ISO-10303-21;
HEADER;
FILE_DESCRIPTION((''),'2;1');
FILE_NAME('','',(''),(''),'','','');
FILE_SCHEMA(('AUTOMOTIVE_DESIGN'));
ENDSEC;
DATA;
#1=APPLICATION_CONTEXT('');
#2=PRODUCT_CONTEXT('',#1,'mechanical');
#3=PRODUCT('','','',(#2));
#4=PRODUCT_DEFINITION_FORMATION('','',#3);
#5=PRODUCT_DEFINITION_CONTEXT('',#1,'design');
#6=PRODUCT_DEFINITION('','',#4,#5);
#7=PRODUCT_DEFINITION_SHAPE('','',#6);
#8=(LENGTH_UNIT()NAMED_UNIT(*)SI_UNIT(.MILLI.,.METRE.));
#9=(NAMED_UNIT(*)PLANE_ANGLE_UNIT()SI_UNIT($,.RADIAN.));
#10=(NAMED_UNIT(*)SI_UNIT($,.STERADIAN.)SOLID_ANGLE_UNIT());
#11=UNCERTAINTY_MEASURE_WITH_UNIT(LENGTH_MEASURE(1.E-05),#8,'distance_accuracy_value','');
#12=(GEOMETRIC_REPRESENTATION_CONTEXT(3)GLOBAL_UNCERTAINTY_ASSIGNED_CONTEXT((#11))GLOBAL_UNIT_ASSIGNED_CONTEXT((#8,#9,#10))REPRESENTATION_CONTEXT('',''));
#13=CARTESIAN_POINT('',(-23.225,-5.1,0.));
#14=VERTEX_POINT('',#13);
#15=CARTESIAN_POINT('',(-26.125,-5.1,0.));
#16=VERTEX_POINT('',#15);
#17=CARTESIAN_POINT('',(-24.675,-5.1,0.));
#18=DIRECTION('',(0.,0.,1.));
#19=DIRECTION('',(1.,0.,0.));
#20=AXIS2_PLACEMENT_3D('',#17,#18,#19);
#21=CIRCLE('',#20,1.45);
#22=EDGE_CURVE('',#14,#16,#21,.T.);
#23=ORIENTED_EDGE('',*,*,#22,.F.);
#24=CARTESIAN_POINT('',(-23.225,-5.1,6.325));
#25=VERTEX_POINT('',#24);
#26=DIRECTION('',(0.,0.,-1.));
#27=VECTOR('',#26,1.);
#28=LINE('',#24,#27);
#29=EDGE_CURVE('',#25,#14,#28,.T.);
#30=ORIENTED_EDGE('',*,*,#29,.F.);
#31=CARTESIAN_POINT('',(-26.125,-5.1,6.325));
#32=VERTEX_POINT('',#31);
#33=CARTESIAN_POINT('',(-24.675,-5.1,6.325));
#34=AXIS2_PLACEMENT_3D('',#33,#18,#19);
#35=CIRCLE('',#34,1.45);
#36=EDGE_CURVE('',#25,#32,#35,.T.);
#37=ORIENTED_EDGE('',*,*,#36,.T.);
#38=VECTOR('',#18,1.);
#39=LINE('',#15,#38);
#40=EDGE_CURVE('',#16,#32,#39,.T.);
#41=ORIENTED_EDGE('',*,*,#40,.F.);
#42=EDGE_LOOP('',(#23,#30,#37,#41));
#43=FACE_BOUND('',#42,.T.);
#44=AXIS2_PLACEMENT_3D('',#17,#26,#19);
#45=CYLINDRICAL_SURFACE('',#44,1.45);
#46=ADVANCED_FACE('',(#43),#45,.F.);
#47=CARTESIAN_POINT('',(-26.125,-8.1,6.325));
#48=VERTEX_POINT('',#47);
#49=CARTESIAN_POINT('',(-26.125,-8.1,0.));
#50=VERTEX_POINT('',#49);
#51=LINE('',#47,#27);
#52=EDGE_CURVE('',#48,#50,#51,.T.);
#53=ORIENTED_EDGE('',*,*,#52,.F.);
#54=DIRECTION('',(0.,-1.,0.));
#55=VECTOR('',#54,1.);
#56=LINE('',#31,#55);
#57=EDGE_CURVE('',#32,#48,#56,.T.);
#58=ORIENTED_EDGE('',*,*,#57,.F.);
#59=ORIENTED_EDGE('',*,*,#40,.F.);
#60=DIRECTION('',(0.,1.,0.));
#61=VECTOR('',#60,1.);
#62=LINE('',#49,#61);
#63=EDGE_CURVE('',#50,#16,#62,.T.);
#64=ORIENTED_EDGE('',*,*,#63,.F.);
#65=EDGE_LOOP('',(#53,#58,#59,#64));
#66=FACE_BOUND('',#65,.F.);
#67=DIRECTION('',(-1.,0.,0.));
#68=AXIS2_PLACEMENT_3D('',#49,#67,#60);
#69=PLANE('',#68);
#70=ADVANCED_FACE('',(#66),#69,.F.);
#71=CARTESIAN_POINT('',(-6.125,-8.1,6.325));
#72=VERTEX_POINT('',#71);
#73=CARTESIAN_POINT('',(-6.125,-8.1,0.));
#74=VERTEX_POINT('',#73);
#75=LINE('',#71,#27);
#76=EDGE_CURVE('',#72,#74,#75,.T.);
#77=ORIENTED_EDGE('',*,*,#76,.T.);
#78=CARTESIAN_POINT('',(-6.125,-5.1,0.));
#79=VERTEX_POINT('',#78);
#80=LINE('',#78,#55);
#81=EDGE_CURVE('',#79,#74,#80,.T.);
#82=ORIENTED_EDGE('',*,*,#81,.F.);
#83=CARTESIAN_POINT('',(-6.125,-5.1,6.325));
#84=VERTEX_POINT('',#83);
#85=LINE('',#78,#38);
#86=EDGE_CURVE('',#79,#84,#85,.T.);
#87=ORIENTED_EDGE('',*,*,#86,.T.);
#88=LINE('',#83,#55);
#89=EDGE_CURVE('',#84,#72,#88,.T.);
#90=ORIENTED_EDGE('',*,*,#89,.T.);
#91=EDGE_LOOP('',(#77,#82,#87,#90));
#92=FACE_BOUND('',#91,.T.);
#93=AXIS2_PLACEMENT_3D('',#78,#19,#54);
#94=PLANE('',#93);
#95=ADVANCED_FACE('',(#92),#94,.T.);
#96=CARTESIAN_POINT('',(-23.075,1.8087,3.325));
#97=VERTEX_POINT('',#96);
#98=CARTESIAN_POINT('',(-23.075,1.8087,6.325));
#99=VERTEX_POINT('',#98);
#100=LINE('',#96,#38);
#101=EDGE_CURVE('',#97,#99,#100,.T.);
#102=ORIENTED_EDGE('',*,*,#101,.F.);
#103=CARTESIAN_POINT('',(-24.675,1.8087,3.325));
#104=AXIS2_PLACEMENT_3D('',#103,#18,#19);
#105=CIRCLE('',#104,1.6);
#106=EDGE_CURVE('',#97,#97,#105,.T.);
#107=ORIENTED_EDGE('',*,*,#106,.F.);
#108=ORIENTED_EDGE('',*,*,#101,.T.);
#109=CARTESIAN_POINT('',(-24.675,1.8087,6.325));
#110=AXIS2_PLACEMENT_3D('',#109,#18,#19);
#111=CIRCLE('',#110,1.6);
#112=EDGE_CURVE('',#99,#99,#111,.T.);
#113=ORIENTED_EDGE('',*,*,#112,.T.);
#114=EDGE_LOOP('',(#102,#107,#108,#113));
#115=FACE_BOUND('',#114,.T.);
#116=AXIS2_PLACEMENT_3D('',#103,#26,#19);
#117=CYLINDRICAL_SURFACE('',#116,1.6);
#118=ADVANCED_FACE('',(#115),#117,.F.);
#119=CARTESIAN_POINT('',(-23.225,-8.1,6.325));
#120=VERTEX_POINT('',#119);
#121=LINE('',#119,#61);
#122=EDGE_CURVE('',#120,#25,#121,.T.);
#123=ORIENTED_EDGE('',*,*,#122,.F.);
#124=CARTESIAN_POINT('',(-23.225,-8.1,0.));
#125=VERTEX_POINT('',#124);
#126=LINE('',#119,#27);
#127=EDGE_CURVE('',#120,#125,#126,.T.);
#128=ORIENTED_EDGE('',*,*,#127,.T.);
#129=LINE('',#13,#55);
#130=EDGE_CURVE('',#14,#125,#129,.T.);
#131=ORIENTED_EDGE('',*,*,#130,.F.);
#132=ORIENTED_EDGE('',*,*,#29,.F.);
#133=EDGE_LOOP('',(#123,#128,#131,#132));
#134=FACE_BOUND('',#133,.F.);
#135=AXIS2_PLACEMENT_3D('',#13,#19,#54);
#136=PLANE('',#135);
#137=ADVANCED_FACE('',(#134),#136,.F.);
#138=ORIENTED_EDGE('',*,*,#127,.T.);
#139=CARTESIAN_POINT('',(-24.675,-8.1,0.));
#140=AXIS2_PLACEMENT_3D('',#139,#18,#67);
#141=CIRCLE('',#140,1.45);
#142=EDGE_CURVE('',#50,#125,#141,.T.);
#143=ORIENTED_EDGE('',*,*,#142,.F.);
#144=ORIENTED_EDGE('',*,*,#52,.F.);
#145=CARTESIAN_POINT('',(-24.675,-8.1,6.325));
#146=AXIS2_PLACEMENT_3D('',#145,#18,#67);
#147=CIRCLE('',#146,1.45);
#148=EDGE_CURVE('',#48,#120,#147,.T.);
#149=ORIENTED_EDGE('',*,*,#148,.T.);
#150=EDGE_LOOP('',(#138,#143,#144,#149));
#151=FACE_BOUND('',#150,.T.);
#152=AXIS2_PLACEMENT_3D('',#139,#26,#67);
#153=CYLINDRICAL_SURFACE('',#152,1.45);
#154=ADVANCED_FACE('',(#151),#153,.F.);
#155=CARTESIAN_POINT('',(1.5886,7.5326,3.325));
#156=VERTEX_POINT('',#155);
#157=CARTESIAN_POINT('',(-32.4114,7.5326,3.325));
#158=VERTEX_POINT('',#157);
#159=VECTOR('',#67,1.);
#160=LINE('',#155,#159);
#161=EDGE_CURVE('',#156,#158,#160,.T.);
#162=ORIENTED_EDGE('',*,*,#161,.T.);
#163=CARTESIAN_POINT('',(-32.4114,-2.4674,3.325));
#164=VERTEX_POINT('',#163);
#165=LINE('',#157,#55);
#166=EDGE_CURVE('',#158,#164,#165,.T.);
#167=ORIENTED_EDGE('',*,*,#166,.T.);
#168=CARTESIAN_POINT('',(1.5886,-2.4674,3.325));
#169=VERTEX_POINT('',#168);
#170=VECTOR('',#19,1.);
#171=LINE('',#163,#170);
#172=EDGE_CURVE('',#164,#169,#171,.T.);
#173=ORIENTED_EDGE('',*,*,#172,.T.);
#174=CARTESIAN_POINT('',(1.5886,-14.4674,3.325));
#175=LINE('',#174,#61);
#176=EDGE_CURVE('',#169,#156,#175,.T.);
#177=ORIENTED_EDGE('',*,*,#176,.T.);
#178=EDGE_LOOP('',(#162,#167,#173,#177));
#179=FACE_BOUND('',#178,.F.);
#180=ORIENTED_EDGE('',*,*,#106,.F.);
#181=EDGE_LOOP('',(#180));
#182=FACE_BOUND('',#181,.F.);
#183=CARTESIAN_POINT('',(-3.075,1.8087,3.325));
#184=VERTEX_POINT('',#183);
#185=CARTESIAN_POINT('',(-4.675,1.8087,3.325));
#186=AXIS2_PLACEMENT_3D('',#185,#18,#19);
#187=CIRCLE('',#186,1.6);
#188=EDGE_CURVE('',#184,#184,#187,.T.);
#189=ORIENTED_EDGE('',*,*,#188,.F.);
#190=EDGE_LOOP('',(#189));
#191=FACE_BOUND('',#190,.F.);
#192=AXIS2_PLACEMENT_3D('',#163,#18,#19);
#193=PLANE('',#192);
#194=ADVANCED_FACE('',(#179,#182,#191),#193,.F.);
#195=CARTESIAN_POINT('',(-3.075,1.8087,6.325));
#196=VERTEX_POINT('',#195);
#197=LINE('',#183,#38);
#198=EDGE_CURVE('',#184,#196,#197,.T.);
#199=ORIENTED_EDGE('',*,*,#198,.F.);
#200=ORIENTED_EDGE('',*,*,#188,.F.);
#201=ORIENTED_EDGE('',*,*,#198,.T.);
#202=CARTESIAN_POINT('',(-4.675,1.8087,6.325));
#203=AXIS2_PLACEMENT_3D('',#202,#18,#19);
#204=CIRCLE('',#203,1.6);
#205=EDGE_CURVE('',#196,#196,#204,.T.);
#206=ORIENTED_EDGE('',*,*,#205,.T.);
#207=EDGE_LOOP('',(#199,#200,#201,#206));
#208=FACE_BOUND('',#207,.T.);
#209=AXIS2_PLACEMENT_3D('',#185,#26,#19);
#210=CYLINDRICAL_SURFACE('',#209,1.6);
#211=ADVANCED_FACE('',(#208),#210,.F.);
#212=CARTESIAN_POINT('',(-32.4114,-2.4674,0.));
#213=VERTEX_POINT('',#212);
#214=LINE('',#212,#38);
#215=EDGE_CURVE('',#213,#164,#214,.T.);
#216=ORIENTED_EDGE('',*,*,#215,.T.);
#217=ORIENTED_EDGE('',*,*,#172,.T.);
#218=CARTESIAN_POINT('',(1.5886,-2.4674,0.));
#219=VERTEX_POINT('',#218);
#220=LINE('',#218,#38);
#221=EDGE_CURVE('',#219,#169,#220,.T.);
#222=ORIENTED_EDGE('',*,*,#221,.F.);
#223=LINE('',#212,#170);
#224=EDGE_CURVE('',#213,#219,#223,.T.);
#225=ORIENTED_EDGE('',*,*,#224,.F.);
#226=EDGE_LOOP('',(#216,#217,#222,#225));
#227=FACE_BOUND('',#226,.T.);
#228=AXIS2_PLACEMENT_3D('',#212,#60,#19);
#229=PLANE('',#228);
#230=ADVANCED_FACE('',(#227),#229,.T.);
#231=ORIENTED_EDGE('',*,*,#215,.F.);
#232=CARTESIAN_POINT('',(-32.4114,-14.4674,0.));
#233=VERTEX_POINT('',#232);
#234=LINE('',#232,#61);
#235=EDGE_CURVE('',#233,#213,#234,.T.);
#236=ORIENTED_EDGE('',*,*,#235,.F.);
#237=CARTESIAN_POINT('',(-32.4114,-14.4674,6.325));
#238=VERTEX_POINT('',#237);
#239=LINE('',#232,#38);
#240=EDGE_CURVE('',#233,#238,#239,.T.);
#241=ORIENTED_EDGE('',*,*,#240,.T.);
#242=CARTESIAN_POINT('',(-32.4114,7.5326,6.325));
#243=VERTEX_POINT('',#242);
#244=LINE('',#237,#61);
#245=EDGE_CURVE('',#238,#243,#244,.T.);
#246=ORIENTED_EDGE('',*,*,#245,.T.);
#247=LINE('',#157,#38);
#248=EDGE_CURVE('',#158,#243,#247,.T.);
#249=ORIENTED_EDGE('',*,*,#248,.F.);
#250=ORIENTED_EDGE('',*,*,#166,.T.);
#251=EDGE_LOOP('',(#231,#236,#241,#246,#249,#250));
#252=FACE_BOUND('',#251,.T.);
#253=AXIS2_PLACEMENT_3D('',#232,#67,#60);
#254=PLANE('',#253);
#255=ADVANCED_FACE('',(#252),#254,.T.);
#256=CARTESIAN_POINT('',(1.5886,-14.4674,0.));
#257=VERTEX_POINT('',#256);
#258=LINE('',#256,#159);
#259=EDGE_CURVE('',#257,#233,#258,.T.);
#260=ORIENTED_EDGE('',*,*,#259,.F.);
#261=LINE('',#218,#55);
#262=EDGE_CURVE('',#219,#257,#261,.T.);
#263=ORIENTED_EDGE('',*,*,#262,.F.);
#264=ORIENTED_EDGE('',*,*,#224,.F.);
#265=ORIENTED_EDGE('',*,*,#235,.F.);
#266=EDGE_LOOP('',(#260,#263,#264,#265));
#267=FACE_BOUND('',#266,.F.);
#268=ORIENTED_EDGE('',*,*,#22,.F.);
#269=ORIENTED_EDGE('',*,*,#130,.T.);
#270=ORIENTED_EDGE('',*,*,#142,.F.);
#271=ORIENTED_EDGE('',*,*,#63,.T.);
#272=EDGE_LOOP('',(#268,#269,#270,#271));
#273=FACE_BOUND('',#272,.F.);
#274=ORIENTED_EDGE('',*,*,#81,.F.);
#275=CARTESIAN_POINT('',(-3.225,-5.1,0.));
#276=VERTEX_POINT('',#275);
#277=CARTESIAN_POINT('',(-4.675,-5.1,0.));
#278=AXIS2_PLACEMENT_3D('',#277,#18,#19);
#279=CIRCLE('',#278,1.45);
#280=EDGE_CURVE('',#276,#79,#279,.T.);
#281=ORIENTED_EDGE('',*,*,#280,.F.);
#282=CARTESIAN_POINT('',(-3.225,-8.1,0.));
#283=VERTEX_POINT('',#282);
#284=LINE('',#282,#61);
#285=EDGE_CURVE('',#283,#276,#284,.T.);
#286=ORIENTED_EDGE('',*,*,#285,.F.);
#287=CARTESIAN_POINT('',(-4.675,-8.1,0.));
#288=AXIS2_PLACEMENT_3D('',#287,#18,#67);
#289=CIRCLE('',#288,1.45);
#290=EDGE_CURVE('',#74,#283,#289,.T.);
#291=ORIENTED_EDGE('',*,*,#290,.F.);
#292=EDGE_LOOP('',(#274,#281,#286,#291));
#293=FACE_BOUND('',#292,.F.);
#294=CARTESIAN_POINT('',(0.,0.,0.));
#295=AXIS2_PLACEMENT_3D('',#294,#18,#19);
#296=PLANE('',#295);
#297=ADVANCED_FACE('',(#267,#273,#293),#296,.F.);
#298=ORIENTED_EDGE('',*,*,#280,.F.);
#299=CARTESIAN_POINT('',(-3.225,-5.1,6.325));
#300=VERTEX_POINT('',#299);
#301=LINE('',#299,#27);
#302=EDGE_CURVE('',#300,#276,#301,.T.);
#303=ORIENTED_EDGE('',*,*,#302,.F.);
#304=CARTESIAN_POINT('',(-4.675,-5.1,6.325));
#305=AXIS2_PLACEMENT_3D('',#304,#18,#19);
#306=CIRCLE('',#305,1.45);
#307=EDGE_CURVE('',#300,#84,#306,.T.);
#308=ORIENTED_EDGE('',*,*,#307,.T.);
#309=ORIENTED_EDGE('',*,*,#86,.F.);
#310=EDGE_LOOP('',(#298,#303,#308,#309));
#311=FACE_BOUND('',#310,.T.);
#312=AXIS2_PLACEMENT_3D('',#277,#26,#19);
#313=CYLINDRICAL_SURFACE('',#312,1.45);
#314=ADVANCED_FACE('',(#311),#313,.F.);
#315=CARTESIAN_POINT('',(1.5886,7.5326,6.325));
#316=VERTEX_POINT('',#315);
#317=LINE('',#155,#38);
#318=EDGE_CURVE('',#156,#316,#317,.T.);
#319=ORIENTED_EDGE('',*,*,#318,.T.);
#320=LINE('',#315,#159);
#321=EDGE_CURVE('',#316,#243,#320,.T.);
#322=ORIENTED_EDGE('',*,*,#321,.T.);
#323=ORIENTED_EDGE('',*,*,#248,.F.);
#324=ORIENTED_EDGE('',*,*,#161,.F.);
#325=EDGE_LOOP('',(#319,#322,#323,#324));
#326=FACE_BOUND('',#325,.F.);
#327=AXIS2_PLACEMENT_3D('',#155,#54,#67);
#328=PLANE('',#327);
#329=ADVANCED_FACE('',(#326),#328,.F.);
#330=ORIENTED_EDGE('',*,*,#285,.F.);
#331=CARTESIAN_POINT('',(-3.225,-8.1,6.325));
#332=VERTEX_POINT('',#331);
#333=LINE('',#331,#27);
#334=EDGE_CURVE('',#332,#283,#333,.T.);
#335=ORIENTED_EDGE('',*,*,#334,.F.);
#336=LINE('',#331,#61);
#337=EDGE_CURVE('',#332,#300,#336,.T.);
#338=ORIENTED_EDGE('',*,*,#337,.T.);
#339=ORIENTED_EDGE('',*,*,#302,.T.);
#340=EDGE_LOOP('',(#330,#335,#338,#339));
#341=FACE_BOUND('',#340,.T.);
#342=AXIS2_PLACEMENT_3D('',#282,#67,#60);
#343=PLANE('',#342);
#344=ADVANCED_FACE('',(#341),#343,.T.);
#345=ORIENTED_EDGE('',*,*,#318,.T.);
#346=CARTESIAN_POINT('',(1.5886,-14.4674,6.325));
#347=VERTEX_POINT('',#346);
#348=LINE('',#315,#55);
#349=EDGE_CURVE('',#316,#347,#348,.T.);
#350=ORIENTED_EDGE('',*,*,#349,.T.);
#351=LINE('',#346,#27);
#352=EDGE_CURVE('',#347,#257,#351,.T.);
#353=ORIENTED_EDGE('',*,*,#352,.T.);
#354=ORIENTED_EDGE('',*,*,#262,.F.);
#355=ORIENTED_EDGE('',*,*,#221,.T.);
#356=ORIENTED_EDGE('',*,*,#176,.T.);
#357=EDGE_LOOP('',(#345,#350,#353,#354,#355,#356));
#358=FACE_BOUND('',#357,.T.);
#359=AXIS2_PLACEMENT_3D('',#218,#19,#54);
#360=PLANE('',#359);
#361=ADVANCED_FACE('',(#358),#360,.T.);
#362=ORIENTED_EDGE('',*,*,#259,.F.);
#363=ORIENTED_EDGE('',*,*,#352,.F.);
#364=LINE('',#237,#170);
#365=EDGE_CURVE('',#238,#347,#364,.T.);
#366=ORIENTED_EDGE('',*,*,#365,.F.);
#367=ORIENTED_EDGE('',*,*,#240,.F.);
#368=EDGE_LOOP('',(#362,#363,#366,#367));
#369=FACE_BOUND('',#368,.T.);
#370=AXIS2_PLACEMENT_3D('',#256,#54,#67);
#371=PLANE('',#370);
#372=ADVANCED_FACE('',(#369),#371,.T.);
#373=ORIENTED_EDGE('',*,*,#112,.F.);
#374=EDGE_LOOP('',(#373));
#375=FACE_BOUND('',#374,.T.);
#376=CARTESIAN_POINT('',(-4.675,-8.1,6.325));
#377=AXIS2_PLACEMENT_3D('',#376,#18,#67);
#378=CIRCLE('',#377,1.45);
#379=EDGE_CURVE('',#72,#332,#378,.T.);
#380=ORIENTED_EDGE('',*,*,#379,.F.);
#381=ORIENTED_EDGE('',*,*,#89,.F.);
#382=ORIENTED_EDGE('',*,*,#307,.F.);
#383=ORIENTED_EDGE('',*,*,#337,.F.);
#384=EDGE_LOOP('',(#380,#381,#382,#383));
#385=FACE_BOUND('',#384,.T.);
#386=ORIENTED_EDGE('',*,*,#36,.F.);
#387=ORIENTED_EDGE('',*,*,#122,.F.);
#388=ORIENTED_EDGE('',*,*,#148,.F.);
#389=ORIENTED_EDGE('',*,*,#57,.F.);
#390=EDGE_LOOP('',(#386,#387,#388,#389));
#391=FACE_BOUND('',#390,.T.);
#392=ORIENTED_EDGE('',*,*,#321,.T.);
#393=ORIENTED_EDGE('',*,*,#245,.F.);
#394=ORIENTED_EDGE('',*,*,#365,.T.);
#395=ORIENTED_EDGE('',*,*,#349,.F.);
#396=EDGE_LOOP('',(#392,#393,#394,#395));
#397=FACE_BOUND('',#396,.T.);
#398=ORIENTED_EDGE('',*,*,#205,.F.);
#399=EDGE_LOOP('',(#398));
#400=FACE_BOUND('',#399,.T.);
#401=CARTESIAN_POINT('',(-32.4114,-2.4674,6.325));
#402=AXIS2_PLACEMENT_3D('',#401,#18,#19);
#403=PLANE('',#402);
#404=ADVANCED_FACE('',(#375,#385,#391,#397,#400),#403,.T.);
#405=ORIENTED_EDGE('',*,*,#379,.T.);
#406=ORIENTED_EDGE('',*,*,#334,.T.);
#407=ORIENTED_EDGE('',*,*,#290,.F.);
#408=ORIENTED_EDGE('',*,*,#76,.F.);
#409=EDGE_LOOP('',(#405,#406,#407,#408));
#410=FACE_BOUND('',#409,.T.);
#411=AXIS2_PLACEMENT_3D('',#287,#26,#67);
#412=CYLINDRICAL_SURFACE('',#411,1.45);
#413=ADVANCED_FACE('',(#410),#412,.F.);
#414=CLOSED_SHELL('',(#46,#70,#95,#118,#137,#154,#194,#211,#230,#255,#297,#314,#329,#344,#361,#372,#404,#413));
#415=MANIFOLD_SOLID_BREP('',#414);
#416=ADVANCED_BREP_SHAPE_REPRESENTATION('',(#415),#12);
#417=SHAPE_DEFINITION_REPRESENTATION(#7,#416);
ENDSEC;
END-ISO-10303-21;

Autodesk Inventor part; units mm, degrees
ref_plane "YZ Plane" through (0, 0, 0) normal (1, 0, 0) x (0, 1, 0)
ref_plane "XZ Plane" through (0, 0, 0) normal (0, 1, 0) x (-1, 0, 0)
ref_plane "Work Plane1" through (0, 0, 0) normal (0, 0, 1) x (1, 0, 0)
sketch "Sketch1" plane through (0, 0, 0) normal (0, 0, 1) x (1, 0, 0)
  circle A0 centre (-24.675, -5.1) radius 1.25 projected
  circle A1 centre (-4.675, -5.1) radius 1.25 projected
  line L0 (-32.4114, -2.1) -> (22.9321, -2.1) construction
  line L1 (-32.4114, -2.4674) -> (1.5886, -2.4674)
  line L2 (1.5886, -2.4674) -> (1.5886, -14.4674)
  line L3 (1.5886, -14.4674) -> (-32.4114, -14.4674)
  line L4 (-32.4114, -14.4674) -> (-32.4114, -2.4674)
  circle A2 centre (-24.675, -5.1) radius 1.45
  circle A3 centre (-4.675, -5.1) radius 1.45
  line L5 (-24.675, -5.1) -> (-24.675, -8.1)
  line L6 (-23.225, -5.1) -> (-23.225, -8.1)
  line L7 (-26.125, -8.1) -> (-26.125, -5.1)
  arc A4 (-23.225, -5.1) -> (-26.125, -5.1) centre (-24.675, -5.1) ccw
  arc A5 (-26.125, -8.1) -> (-23.225, -8.1) centre (-24.675, -8.1) ccw
  line L8 (-4.675, -5.1) -> (-4.675, -8.1)
  line L9 (-6.125, -5.1) -> (-6.125, -8.1)
  line L10 (-3.225, -8.1) -> (-3.225, -5.1)
  arc A6 (-3.225, -5.1) -> (-6.125, -5.1) centre (-4.675, -5.1) ccw
  arc A7 (-6.125, -8.1) -> (-3.225, -8.1) centre (-4.675, -8.1) ccw
  point P0 (0, 0)
  point P1 (-24.675, -6.6)
  point P2 (-4.675, -6.6)
  dimension "d0" = 34
  dimension "d1" = 12
  dimension "d2" = 2.9
  dimension "d3" = 2.9
  dimension "d4" = 3
  dimension "d5" = 3
ref_plane "Work Plane2" through (-108.8568, -31.2741, 3.325) normal (0, 0, 1) x (0.8192, 0.5736, 0)
extrude "Extrusion1" add sketch "Sketch1" along normal up to surface (3.325 mm away) contours L1 L2 L3 L4
sketch "Sketch2" plane through (-32.4114, -2.4674, 3.325) normal (0, 0, 1) x (1, 0, 0)
  circle A0 centre (27.7364, 4.2761) radius 1.6 projected
  circle A1 centre (7.7364, 4.2761) radius 1.6 projected
  line L0 (-8.2471, 157.2957) -> (-14.2937, 153.0618) projected
  line L1 (8.339, 104.3183) -> (-14.2937, 153.0618) projected
  line L2 (8.339, 104.3183) -> (0.8847, 99.0987) projected
  line L3 (0.8847, 99.0987) -> (0, 100.3623) projected
  line L4 (0, 100.3623) -> (0, 0.3674) projected
  line L5 (0, 0.3674) -> (55.3435, 0.3674) projected
  line L6 (55.3435, 0.3674) -> (57.5639, -2.8038) projected
  line L7 (57.5639, -2.8038) -> (65.7554, 2.932) projected
  line L8 (65.7554, 2.932) -> (31.3409, 52.0811) projected
  line L9 (31.3409, 52.0811) -> (41.1707, 58.964) projected
  line L10 (41.1707, 58.964) -> (36.2423, 66.0024) projected
  arc A2 (34.9764, 70.0175) -> (36.2423, 66.0024) centre (41.9764, 70.0175) ccw projected
  line L11 (34.9764, 70.0175) -> (34.9764, 131.4195) projected
  arc A3 (34.9764, 131.4195) -> (31.2086, 137.6285) centre (27.9764, 131.4195) ccw projected
  line L12 (31.2086, 137.6285) -> (10.9451, 148.1771) projected
  arc A4 (10.9451, 148.1771) -> (3.6978, 147.7021) centre (7.7129, 141.968) ccw projected
  line L13 (3.6978, 147.7021) -> (0.1902, 145.246) projected
  line L14 (-8.2471, 157.2957) -> (0.1902, 145.246) projected
  line L15 (6.7364, -8.3116) -> (6.7364, -9.6116) projected
  line L16 (7.7364, -12.1836) -> (7.7364, -9.6116) projected
  line L17 (34, 0) -> (34, -12) projected
  line L18 (0, 0) -> (34, 0) projected
  line L19 (0, -12) -> (0, 0) projected
  line L20 (34, -12) -> (0, -12) projected
  arc A5 (6.2864, -5.6326) -> (9.1864, -5.6326) centre (7.7364, -5.6326) ccw projected
  line L21 (6.2864, -2.6326) -> (6.2864, -5.6326) projected
  arc A6 (9.1864, -2.6326) -> (6.2864, -2.6326) centre (7.7364, -2.6326) ccw projected
  line L22 (9.1864, -5.6326) -> (9.1864, -2.6326) projected
  arc A7 (29.1864, -2.6326) -> (26.2864, -2.6326) centre (27.7364, -2.6326) ccw projected
  line L23 (29.1864, -5.6326) -> (29.1864, -2.6326) projected
  arc A8 (26.2864, -5.6326) -> (29.1864, -5.6326) centre (27.7364, -5.6326) ccw projected
  line L24 (26.2864, -2.6326) -> (26.2864, -5.6326) projected
  line L25 (0, 0) -> (34, 0) projected
  line L26 (0, 0) -> (34, 0)
  line L27 (34, 0) -> (34, 10)
  line L28 (34, 10) -> (0, 10)
  line L29 (0, 10) -> (0, 0)
  point P0 (32.4114, 2.4674)
  dimension "d8" = 10
extrude "Extrusion2" add sketch "Sketch2" along normal blind 3 contours L28 L27 L5 L4 | L5 L27 L18 L29 | L18 L17 L20 L19
properties part number "cellSTORM_Alvium_cameraadapter"
